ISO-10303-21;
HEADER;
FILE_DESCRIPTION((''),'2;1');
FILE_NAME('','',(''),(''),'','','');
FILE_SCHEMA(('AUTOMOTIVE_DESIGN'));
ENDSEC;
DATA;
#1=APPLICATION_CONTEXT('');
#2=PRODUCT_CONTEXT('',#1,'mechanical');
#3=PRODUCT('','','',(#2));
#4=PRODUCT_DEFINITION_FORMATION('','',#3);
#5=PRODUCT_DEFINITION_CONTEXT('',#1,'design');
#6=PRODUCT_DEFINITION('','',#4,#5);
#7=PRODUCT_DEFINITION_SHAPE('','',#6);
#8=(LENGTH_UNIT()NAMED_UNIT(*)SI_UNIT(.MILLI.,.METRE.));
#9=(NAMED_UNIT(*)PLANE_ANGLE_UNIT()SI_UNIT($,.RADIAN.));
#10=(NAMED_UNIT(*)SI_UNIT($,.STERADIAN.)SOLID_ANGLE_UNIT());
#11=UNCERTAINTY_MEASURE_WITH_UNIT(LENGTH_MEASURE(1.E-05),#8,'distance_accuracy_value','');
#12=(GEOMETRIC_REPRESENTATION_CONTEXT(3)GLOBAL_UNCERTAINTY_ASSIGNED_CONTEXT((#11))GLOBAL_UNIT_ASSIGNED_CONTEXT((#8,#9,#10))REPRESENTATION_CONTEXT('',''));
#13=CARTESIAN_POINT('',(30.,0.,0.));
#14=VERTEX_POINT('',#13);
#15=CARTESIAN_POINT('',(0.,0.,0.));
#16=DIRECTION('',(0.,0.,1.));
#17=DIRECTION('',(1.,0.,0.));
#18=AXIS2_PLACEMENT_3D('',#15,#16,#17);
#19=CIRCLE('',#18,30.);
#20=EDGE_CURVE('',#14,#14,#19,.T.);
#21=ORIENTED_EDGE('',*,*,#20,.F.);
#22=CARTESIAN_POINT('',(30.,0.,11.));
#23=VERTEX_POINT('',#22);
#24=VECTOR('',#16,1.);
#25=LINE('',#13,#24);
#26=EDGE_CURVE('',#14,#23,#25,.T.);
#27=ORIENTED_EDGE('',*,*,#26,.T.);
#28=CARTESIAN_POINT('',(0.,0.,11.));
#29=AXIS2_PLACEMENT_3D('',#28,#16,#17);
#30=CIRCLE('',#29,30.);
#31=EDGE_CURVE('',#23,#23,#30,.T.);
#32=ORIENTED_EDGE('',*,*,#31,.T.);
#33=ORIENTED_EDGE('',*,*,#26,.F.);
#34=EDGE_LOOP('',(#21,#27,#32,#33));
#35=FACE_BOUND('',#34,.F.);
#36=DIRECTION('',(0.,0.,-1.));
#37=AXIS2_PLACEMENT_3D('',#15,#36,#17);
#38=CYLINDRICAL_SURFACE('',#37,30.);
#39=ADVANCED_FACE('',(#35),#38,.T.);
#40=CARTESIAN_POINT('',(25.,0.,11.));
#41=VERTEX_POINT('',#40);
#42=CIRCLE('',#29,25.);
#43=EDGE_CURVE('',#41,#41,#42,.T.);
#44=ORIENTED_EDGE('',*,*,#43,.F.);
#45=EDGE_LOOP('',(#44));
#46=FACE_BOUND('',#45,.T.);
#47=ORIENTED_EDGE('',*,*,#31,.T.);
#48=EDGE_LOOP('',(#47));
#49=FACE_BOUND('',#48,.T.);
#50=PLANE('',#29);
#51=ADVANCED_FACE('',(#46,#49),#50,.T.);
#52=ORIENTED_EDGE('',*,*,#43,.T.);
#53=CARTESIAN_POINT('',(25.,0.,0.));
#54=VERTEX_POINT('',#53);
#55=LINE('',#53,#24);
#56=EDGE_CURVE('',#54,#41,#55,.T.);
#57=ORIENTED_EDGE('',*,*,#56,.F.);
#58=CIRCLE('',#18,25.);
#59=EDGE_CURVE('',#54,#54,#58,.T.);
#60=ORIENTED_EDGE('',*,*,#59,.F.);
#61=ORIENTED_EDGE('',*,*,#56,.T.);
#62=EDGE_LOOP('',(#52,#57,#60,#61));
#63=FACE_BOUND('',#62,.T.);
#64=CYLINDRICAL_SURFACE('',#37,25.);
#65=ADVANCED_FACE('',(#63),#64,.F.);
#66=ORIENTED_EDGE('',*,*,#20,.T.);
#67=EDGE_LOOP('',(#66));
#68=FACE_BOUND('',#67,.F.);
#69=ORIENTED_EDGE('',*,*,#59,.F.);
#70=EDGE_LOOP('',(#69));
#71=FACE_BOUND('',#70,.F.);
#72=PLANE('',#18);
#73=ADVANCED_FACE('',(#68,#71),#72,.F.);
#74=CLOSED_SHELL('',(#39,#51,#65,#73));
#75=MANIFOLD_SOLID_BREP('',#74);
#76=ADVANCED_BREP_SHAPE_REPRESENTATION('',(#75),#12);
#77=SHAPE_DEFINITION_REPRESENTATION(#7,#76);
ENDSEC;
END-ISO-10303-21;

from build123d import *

# Parameters (mm, degrees)
SKETCH_R   = 30
SKETCH_R_2 = 25
PAD_DEPTH  = 11


with BuildPart() as part:
    # Sketch → Pad (new body)
    with BuildSketch(Plane.XY):
        Circle(SKETCH_R)
        Circle(SKETCH_R_2, mode=Mode.SUBTRACT)
    extrude(amount=PAD_DEPTH)


solid = part.part
